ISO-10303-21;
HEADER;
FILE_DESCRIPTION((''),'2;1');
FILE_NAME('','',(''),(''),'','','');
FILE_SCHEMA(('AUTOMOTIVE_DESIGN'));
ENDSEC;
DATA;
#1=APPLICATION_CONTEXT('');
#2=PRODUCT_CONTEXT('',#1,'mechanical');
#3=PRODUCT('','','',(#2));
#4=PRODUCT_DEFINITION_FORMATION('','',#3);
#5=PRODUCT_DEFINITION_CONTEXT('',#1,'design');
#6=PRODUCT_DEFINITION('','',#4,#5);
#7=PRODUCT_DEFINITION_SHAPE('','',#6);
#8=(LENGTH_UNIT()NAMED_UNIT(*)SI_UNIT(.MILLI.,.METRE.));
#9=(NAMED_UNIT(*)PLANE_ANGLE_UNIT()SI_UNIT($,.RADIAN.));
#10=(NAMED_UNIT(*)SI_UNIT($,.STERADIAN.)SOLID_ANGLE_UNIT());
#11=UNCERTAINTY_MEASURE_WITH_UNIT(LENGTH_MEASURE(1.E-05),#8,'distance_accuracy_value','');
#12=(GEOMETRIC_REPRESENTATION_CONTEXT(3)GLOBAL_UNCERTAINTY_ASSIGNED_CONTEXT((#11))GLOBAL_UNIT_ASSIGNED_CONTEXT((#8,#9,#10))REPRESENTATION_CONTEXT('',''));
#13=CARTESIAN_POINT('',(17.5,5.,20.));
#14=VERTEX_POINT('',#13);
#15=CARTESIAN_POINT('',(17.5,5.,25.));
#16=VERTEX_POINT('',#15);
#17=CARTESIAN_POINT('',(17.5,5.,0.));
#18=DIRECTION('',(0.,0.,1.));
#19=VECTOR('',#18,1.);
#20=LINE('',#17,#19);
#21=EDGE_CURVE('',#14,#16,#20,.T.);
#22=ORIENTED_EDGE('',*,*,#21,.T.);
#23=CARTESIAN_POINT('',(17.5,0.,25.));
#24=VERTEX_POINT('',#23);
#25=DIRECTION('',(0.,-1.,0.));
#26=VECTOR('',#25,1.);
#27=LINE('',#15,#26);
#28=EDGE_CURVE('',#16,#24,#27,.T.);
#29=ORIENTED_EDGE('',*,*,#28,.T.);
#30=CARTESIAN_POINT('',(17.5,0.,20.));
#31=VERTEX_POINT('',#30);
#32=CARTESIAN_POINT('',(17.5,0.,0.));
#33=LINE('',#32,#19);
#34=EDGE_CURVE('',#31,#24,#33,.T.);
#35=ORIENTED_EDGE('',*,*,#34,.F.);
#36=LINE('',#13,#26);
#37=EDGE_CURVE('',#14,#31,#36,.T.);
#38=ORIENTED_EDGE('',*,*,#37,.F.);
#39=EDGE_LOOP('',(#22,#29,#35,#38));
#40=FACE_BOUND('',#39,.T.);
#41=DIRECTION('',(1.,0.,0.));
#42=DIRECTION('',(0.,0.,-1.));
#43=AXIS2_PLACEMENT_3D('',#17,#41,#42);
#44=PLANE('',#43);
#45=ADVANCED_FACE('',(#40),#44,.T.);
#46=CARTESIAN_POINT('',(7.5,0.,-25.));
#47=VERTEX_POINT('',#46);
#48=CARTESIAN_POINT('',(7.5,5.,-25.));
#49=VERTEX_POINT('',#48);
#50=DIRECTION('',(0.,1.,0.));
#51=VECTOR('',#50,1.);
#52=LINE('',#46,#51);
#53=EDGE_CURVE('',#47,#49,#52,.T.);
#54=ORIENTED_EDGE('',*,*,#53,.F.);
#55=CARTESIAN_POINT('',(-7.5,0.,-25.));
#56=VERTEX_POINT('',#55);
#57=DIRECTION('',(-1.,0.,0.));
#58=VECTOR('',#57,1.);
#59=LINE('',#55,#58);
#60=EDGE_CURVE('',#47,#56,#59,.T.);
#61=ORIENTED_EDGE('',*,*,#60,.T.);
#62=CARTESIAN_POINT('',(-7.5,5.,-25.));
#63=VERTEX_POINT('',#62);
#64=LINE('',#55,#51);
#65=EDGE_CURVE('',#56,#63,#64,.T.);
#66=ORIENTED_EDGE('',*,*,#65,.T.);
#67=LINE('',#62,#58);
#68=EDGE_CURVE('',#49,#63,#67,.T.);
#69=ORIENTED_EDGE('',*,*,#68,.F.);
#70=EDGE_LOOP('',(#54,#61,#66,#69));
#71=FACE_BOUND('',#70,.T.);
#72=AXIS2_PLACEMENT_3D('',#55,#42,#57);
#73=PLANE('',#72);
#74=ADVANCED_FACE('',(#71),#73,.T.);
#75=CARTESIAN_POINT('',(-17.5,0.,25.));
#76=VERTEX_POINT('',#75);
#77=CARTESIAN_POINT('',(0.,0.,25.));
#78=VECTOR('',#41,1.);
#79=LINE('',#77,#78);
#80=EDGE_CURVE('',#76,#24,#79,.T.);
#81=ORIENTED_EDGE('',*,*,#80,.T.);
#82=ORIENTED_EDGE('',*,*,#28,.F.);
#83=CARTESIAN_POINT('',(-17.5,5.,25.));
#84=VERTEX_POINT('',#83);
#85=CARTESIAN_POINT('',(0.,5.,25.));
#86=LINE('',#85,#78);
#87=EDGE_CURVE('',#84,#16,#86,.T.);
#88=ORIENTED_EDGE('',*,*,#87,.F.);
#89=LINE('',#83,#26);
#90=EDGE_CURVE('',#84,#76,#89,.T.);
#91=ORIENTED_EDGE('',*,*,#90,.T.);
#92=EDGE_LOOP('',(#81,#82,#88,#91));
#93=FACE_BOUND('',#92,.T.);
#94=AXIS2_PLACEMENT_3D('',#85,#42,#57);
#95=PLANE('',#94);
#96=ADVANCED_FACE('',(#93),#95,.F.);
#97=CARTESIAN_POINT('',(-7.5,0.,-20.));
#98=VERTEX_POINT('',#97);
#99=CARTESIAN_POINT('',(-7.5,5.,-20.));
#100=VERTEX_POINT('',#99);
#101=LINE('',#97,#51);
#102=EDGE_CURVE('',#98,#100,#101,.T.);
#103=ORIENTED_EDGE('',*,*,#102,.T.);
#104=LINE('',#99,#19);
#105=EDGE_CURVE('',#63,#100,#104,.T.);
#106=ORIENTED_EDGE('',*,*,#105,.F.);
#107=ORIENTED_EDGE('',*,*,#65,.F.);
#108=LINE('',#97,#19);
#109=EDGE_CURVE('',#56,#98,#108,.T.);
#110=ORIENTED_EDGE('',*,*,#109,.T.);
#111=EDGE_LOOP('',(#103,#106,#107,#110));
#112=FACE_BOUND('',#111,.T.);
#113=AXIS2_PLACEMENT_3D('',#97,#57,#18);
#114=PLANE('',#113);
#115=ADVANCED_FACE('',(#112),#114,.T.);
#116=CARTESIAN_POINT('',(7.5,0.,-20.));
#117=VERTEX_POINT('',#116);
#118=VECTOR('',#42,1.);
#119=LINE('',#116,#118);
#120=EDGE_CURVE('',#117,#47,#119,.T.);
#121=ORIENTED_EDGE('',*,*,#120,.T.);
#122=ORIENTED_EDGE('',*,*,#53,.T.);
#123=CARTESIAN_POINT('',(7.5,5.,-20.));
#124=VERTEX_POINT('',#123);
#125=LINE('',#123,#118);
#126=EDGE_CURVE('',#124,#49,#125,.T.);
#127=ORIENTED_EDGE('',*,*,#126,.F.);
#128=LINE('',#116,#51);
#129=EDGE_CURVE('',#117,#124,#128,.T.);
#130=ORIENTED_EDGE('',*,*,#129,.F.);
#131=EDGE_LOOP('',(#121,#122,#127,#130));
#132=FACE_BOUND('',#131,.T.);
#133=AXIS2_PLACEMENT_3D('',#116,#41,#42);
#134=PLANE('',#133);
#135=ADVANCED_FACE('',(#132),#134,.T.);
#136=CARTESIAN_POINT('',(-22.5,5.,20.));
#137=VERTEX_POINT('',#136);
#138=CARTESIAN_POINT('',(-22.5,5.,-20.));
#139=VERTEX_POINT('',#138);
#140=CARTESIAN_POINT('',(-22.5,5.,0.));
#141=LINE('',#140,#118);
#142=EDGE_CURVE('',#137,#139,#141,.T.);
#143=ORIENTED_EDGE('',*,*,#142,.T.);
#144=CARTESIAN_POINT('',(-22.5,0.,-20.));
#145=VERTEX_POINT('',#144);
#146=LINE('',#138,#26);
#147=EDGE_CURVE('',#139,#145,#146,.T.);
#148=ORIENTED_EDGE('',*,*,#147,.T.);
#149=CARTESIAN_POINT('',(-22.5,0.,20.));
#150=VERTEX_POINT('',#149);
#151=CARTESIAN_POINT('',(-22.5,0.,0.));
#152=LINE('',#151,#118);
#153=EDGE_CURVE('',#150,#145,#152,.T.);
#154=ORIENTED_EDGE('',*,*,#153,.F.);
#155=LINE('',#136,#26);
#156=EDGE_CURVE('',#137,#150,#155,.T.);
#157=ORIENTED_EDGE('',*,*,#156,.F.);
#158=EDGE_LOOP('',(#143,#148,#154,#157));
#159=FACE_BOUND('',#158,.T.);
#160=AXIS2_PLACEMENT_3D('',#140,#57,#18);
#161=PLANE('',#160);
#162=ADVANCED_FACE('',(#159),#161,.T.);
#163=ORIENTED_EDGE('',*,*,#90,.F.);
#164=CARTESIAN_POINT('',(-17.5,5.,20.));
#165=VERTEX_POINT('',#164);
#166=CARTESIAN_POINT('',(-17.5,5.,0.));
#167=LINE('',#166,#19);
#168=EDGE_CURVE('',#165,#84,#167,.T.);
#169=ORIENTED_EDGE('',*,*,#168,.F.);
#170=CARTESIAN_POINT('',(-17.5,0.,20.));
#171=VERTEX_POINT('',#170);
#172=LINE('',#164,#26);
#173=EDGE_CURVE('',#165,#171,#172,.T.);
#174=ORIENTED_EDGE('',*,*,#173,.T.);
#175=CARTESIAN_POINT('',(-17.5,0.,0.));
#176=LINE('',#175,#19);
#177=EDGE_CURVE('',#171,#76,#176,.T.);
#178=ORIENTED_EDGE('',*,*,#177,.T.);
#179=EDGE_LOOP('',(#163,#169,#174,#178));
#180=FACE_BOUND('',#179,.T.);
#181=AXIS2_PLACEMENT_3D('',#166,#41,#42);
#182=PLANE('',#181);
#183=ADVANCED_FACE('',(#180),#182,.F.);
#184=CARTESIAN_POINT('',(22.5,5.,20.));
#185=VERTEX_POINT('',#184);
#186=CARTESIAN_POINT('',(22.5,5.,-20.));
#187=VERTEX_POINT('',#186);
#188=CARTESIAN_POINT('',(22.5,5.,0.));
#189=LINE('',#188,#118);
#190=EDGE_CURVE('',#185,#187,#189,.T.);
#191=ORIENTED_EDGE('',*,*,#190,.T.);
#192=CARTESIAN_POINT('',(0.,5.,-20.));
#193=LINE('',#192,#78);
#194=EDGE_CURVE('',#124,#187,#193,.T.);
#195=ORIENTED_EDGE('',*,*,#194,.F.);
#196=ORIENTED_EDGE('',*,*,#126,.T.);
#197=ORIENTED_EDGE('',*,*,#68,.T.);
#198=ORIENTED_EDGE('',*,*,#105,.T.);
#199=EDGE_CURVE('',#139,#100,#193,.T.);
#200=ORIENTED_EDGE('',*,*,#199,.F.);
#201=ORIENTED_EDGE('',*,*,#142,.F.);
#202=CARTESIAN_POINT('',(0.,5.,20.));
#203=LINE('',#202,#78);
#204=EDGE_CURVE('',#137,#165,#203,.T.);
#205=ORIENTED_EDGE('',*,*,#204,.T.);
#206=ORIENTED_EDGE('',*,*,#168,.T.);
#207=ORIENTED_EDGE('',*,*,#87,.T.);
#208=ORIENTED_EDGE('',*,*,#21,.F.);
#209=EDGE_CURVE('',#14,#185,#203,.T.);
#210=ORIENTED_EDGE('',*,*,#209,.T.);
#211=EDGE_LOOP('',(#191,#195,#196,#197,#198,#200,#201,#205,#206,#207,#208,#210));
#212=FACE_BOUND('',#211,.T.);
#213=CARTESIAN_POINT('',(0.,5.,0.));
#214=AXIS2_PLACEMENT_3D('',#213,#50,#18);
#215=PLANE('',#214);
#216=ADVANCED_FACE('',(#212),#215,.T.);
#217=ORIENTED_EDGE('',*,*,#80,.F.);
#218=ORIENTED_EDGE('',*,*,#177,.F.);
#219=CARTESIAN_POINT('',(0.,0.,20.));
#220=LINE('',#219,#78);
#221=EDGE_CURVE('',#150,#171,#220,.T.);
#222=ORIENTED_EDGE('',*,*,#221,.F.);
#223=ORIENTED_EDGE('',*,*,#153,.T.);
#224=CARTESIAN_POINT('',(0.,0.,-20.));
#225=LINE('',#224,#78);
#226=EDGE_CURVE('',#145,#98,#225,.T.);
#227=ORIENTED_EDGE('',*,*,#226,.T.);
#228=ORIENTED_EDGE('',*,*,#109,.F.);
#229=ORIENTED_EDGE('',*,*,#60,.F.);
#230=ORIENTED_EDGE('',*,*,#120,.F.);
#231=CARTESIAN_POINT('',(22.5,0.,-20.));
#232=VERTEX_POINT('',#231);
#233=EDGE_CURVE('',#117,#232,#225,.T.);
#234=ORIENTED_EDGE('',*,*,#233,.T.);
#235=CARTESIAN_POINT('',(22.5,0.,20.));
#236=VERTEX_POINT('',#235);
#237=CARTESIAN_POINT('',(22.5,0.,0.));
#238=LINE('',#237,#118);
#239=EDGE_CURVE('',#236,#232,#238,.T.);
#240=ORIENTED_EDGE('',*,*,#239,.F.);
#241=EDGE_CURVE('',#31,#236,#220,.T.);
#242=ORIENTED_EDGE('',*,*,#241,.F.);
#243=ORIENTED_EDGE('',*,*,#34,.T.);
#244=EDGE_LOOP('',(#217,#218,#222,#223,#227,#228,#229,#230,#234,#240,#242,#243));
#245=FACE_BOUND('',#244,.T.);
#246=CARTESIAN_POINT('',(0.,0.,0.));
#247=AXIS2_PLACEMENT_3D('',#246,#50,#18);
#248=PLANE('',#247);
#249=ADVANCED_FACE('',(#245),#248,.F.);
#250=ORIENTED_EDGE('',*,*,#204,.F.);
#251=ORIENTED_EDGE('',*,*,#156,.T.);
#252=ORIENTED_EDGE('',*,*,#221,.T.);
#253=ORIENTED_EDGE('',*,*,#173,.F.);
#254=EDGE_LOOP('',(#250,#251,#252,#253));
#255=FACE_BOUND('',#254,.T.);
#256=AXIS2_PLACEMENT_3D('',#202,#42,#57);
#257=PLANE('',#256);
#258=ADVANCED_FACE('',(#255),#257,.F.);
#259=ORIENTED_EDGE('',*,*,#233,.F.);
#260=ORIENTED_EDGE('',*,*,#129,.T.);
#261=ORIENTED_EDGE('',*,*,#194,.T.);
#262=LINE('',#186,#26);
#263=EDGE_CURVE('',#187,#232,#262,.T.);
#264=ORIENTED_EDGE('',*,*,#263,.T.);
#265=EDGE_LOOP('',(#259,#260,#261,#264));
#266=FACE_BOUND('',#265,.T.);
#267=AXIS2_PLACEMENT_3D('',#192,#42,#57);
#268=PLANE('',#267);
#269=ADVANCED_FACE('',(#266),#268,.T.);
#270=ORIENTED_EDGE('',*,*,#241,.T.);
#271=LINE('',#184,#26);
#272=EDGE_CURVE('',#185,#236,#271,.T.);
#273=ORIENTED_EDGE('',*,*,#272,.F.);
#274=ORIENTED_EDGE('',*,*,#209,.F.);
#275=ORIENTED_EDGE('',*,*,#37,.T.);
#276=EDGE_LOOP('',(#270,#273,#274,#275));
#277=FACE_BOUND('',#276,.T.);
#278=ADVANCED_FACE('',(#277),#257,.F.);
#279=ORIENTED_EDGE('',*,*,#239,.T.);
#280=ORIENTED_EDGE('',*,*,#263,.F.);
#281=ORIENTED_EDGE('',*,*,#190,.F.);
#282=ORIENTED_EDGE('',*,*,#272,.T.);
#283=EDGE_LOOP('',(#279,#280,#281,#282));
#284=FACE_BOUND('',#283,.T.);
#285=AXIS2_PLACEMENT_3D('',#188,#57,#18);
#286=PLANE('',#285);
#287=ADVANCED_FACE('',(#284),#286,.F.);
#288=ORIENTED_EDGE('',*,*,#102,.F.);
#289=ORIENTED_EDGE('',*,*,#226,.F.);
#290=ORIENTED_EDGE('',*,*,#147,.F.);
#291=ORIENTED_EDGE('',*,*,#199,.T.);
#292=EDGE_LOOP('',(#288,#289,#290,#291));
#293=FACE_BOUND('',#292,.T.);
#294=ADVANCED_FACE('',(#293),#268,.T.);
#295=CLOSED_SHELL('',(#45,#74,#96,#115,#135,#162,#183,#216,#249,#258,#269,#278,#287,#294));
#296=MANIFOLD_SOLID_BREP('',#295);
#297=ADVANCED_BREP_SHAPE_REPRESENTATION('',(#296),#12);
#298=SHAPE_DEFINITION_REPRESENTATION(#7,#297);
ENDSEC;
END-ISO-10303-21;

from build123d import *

# Parameters (mm, degrees)
SKETCH_1_W      = 45
SKETCH_1_H      = 40
SKETCH_1_W_2    = 35
SKETCH_1_H_2    = 5
EXTRUDE_1_DEPTH = 5
SKETCH_2_W      = 15
SKETCH_2_H      = 5
EXTRUDE_2_DEPTH = 5


with BuildPart() as part:
    # 草图1 → 凸台-拉伸1 (new body)
    with BuildSketch(Plane(origin=(0, 0, 0), x_dir=(1, 0, 0), z_dir=(0, 1, 0))):
        Rectangle(SKETCH_1_W, SKETCH_1_H)
        with Locations((0, -22.5)):
            Rectangle(SKETCH_1_W_2, SKETCH_1_H_2)
    extrude(amount=EXTRUDE_1_DEPTH)

    # 草图2 → 凸台-拉伸2 (add)
    with BuildSketch(Plane(origin=(0, 5, 0), x_dir=(1, 0, 0), z_dir=(0, 1, 0))):
        with Locations((0, 22.5)):
            Rectangle(SKETCH_2_W, SKETCH_2_H)
    extrude(amount=-EXTRUDE_2_DEPTH)


solid = part.part
